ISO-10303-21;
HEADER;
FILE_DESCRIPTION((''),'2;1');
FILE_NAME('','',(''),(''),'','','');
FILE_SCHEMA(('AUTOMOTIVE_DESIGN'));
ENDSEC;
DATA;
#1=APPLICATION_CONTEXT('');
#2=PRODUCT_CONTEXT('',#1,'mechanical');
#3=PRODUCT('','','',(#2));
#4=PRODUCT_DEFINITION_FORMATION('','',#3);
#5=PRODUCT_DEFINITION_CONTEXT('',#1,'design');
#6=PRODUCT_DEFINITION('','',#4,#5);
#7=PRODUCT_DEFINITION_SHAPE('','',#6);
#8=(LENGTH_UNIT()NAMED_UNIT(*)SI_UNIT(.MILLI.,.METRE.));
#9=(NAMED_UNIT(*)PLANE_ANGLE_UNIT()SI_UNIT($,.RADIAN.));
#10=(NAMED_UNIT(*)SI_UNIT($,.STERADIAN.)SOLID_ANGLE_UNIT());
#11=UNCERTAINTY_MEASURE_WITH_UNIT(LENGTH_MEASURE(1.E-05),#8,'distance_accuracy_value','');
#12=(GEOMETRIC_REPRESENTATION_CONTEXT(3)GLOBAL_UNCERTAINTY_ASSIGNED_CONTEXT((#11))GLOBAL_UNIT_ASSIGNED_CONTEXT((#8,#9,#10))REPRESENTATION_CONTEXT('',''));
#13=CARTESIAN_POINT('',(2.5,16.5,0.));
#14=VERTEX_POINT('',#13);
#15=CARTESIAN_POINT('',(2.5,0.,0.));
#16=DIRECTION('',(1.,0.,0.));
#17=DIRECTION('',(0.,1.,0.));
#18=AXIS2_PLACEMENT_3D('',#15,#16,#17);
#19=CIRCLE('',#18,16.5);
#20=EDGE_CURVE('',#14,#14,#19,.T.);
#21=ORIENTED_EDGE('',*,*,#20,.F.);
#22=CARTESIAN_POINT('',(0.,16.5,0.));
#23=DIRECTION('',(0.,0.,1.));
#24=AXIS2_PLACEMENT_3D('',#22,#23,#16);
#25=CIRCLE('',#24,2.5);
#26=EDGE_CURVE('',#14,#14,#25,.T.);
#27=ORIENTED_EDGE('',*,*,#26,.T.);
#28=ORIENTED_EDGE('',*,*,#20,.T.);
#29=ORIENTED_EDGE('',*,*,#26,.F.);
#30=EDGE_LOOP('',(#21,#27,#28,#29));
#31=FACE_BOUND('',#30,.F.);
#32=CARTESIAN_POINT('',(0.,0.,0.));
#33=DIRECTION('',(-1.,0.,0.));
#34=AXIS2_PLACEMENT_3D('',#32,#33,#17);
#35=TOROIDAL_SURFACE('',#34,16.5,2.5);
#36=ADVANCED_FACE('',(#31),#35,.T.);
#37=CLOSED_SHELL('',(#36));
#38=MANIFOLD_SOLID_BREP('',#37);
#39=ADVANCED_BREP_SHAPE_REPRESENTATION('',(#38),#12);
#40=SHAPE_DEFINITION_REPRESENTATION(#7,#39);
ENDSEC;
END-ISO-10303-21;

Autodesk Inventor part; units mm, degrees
ref_plane "YZ Plane" through (0, 0, 0) normal (1, 0, 0) x (0, 1, 0)
ref_plane "XZ Plane" through (0, 0, 0) normal (0, 1, 0) x (-1, 0, 0)
ref_plane "XY Plane" through (0, 0, 0) normal (0, 0, 1) x (1, 0, 0)
sketch "Sketch1" plane through (0, 0, 0) normal (0, 0, 1) x (1, 0, 0)
  circle A0 centre (0, 16.5) radius 2.5
  line L0 (-3.5, 0) -> (3.5, 0) projected
  point P0 (0, 0)
  point P1 (2.2913, 0)
  point P2 (-2.2913, 0)
  dimension "d0" = 5
  dimension "d1" = 16.5
revolve "Revolution1" add sketch "Sketch1" angle 360 about axis through (-10, 0, 0) along (1, 0, 0)
properties part number "silicon-ring-mockup"
